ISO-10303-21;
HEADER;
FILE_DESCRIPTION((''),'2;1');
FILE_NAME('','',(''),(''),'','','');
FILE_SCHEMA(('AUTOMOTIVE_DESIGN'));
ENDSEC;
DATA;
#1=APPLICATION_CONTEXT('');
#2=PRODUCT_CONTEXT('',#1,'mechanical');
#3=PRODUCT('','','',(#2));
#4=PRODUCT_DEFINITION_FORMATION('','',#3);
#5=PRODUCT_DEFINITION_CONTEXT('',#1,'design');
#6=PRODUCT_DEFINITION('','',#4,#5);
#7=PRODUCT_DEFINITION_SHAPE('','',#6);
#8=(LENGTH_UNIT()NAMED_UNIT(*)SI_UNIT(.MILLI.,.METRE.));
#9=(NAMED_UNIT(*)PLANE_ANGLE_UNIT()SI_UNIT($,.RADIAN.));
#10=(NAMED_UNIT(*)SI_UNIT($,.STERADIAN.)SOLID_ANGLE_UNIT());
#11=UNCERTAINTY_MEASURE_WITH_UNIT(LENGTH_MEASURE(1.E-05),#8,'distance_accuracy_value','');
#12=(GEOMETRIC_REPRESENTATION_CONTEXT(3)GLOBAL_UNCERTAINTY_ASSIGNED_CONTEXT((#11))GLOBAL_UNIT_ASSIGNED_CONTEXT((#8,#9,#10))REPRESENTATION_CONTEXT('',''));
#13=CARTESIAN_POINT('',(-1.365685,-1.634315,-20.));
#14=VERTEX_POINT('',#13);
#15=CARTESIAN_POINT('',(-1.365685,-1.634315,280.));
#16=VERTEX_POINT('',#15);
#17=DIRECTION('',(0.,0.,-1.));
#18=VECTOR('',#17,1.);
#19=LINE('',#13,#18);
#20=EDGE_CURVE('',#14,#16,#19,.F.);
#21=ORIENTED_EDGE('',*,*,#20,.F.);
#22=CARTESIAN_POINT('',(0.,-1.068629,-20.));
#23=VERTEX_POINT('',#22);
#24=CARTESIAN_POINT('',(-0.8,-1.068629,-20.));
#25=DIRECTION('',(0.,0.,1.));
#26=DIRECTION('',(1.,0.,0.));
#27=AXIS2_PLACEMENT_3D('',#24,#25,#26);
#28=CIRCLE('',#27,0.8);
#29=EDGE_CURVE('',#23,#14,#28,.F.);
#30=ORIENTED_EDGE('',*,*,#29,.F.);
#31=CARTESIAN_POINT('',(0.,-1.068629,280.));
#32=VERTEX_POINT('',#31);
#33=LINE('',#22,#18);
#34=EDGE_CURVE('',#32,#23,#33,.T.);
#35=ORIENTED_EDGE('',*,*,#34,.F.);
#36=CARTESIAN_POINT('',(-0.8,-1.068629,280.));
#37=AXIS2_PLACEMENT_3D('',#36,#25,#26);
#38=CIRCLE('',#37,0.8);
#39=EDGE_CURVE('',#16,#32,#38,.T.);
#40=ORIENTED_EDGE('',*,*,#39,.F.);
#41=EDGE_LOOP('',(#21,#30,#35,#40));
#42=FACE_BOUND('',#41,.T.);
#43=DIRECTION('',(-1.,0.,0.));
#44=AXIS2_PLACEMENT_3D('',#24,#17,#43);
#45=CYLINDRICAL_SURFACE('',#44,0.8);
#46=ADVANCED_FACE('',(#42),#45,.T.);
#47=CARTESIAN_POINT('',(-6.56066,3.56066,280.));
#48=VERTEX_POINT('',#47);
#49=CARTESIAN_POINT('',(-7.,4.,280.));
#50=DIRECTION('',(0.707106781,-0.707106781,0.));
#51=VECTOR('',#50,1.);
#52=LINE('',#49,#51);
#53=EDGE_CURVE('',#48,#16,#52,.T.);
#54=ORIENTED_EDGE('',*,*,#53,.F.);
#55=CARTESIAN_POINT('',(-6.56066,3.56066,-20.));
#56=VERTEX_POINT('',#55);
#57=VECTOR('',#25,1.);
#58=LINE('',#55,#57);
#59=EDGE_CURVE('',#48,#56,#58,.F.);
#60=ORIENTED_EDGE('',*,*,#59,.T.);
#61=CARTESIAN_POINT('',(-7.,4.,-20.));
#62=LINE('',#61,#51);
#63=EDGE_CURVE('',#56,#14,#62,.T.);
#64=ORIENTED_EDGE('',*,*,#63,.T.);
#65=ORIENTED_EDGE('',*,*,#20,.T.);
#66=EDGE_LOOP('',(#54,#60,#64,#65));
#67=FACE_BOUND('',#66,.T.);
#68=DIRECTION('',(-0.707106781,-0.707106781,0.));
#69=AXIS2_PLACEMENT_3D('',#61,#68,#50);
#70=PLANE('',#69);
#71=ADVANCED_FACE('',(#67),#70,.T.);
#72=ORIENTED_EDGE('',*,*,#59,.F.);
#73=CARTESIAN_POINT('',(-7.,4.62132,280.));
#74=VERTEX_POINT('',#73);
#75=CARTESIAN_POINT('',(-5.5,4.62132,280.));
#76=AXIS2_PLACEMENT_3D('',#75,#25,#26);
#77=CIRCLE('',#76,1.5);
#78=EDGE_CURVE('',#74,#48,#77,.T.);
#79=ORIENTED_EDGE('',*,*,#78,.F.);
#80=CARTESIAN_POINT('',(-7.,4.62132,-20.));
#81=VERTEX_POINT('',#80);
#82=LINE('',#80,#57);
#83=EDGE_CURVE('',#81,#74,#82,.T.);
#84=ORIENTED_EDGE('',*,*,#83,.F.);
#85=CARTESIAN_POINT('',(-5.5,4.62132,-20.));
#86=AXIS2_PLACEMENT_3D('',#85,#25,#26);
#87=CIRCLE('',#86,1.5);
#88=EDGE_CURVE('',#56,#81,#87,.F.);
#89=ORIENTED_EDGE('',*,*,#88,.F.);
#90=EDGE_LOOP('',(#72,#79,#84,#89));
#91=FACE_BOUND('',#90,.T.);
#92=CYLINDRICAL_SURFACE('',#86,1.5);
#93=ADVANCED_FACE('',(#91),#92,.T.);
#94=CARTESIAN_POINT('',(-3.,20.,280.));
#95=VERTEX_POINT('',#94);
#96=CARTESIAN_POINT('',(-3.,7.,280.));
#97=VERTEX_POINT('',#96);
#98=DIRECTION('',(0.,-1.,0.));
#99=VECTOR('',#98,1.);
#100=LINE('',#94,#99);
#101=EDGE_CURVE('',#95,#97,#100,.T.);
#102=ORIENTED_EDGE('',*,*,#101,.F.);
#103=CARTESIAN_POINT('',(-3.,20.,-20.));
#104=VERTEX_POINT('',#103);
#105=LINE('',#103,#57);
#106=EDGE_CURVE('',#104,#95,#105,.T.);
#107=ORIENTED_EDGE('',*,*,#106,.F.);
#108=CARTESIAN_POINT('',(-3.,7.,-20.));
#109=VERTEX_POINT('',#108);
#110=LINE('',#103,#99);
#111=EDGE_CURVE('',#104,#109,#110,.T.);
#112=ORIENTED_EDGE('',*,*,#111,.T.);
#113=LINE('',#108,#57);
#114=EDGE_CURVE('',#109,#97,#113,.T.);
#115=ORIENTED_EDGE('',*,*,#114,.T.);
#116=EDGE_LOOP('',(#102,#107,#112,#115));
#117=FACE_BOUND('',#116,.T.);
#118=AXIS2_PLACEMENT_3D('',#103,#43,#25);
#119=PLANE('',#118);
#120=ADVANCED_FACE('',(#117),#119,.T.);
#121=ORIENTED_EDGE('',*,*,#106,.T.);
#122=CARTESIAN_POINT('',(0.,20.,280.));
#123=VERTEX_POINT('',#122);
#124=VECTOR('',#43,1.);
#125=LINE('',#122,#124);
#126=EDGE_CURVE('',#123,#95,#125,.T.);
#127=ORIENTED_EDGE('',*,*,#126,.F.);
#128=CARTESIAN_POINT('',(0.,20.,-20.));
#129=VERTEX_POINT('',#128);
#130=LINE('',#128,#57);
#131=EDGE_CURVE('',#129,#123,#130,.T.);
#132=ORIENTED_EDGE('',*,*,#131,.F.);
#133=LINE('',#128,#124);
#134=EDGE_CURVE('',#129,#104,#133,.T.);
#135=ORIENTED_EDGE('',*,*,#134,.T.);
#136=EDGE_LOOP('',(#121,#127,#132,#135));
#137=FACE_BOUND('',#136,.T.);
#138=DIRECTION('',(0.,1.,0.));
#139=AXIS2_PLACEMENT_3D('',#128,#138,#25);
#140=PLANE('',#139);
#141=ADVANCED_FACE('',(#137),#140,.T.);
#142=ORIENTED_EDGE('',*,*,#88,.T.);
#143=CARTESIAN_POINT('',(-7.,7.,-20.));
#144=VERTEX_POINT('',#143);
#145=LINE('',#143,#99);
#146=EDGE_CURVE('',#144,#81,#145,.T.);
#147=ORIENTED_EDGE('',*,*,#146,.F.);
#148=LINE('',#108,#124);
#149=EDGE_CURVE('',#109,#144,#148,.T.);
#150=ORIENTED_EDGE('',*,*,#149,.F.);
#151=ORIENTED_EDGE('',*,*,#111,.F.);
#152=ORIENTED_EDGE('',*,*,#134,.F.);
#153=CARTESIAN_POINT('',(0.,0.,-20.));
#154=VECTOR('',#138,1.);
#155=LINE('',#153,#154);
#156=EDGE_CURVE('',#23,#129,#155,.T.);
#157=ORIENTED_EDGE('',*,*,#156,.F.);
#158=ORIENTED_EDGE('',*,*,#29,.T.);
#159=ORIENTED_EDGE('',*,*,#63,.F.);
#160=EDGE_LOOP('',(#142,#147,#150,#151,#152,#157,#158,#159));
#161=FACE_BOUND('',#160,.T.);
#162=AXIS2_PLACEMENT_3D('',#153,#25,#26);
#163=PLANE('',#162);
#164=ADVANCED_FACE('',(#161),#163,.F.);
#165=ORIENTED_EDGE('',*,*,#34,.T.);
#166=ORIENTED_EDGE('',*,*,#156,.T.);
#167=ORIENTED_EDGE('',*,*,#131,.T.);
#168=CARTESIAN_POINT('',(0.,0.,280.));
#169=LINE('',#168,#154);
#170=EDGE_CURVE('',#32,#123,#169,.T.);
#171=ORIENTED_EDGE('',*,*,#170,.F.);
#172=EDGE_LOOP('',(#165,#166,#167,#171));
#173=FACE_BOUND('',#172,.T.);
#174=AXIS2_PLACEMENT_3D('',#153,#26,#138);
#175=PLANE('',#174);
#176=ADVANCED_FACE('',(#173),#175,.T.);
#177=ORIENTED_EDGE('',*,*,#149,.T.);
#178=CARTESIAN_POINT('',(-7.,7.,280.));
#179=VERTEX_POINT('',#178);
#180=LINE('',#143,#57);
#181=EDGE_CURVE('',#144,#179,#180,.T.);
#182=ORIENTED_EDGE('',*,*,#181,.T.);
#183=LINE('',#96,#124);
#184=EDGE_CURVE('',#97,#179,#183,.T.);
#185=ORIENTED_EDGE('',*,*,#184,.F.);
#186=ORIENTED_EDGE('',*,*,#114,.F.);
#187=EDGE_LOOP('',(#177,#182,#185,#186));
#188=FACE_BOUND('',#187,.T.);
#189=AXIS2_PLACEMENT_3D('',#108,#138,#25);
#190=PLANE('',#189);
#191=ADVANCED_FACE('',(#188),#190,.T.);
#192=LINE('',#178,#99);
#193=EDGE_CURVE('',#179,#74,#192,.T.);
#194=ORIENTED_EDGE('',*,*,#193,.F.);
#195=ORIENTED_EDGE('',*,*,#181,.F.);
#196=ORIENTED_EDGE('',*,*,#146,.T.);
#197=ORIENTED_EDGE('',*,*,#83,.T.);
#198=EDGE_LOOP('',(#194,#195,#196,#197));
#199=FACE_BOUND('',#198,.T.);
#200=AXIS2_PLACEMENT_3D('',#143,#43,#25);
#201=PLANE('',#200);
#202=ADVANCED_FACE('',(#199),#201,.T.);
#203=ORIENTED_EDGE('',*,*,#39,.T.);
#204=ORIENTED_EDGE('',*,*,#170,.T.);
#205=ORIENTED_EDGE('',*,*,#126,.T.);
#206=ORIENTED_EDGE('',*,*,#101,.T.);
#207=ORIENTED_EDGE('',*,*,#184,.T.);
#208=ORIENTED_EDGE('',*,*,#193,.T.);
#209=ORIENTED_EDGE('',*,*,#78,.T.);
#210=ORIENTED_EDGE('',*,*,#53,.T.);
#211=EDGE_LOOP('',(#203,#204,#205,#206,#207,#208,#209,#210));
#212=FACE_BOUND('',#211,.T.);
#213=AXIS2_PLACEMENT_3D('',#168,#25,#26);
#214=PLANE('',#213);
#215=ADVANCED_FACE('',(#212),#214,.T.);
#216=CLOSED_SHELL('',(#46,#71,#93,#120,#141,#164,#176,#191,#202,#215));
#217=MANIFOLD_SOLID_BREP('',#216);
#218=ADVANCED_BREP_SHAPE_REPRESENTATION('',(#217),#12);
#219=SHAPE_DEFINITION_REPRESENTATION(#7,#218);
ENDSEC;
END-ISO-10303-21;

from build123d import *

# Parameters (mm, degrees)
BOSS_EXTRUDE1_DEPTH = 300
FILLET1_R           = 1.5
SKETCH2_W           = 20
SKETCH2_H           = 300
CUT_EXTRUDE1_DEPTH  = 10
FILLET2_R           = 0.8


with BuildPart() as part:
    # Sketch1 → Boss-Extrude1 (new body)
    with BuildSketch(Plane.XY.offset(280)):
        Polygon((-7, 4), (4, -7), (7, -7), (7, -3), (20, -3), (20, 0), (0, 0), (0, 20), (-3, 20), (-3, 7), (-7, 7), align=None)
    extrude(amount=-BOSS_EXTRUDE1_DEPTH)

    # Fillet1
    fillet1_edges = [part.edges().sort_by_distance(p)[0] for p in [
        (4, -7, 130),
        (-7, 4, 130),
    ]]
    fillet(fillet1_edges, radius=FILLET1_R)

    # Sketch2 → Cut-Extrude1 (cut)
    with BuildSketch(Plane(origin=(0, 0, 0), x_dir=(1, 0, 0), z_dir=(0, 1, 0))):
        with Locations((10, -130)):
            Rectangle(SKETCH2_W, SKETCH2_H)
    extrude(amount=-CUT_EXTRUDE1_DEPTH, mode=Mode.SUBTRACT)

    # Fillet2
    fillet2_edges = [part.edges().sort_by_distance(p)[0] for p in [
        (0, -3, 130),
    ]]
    fillet(fillet2_edges, radius=FILLET2_R)


solid = part.part
